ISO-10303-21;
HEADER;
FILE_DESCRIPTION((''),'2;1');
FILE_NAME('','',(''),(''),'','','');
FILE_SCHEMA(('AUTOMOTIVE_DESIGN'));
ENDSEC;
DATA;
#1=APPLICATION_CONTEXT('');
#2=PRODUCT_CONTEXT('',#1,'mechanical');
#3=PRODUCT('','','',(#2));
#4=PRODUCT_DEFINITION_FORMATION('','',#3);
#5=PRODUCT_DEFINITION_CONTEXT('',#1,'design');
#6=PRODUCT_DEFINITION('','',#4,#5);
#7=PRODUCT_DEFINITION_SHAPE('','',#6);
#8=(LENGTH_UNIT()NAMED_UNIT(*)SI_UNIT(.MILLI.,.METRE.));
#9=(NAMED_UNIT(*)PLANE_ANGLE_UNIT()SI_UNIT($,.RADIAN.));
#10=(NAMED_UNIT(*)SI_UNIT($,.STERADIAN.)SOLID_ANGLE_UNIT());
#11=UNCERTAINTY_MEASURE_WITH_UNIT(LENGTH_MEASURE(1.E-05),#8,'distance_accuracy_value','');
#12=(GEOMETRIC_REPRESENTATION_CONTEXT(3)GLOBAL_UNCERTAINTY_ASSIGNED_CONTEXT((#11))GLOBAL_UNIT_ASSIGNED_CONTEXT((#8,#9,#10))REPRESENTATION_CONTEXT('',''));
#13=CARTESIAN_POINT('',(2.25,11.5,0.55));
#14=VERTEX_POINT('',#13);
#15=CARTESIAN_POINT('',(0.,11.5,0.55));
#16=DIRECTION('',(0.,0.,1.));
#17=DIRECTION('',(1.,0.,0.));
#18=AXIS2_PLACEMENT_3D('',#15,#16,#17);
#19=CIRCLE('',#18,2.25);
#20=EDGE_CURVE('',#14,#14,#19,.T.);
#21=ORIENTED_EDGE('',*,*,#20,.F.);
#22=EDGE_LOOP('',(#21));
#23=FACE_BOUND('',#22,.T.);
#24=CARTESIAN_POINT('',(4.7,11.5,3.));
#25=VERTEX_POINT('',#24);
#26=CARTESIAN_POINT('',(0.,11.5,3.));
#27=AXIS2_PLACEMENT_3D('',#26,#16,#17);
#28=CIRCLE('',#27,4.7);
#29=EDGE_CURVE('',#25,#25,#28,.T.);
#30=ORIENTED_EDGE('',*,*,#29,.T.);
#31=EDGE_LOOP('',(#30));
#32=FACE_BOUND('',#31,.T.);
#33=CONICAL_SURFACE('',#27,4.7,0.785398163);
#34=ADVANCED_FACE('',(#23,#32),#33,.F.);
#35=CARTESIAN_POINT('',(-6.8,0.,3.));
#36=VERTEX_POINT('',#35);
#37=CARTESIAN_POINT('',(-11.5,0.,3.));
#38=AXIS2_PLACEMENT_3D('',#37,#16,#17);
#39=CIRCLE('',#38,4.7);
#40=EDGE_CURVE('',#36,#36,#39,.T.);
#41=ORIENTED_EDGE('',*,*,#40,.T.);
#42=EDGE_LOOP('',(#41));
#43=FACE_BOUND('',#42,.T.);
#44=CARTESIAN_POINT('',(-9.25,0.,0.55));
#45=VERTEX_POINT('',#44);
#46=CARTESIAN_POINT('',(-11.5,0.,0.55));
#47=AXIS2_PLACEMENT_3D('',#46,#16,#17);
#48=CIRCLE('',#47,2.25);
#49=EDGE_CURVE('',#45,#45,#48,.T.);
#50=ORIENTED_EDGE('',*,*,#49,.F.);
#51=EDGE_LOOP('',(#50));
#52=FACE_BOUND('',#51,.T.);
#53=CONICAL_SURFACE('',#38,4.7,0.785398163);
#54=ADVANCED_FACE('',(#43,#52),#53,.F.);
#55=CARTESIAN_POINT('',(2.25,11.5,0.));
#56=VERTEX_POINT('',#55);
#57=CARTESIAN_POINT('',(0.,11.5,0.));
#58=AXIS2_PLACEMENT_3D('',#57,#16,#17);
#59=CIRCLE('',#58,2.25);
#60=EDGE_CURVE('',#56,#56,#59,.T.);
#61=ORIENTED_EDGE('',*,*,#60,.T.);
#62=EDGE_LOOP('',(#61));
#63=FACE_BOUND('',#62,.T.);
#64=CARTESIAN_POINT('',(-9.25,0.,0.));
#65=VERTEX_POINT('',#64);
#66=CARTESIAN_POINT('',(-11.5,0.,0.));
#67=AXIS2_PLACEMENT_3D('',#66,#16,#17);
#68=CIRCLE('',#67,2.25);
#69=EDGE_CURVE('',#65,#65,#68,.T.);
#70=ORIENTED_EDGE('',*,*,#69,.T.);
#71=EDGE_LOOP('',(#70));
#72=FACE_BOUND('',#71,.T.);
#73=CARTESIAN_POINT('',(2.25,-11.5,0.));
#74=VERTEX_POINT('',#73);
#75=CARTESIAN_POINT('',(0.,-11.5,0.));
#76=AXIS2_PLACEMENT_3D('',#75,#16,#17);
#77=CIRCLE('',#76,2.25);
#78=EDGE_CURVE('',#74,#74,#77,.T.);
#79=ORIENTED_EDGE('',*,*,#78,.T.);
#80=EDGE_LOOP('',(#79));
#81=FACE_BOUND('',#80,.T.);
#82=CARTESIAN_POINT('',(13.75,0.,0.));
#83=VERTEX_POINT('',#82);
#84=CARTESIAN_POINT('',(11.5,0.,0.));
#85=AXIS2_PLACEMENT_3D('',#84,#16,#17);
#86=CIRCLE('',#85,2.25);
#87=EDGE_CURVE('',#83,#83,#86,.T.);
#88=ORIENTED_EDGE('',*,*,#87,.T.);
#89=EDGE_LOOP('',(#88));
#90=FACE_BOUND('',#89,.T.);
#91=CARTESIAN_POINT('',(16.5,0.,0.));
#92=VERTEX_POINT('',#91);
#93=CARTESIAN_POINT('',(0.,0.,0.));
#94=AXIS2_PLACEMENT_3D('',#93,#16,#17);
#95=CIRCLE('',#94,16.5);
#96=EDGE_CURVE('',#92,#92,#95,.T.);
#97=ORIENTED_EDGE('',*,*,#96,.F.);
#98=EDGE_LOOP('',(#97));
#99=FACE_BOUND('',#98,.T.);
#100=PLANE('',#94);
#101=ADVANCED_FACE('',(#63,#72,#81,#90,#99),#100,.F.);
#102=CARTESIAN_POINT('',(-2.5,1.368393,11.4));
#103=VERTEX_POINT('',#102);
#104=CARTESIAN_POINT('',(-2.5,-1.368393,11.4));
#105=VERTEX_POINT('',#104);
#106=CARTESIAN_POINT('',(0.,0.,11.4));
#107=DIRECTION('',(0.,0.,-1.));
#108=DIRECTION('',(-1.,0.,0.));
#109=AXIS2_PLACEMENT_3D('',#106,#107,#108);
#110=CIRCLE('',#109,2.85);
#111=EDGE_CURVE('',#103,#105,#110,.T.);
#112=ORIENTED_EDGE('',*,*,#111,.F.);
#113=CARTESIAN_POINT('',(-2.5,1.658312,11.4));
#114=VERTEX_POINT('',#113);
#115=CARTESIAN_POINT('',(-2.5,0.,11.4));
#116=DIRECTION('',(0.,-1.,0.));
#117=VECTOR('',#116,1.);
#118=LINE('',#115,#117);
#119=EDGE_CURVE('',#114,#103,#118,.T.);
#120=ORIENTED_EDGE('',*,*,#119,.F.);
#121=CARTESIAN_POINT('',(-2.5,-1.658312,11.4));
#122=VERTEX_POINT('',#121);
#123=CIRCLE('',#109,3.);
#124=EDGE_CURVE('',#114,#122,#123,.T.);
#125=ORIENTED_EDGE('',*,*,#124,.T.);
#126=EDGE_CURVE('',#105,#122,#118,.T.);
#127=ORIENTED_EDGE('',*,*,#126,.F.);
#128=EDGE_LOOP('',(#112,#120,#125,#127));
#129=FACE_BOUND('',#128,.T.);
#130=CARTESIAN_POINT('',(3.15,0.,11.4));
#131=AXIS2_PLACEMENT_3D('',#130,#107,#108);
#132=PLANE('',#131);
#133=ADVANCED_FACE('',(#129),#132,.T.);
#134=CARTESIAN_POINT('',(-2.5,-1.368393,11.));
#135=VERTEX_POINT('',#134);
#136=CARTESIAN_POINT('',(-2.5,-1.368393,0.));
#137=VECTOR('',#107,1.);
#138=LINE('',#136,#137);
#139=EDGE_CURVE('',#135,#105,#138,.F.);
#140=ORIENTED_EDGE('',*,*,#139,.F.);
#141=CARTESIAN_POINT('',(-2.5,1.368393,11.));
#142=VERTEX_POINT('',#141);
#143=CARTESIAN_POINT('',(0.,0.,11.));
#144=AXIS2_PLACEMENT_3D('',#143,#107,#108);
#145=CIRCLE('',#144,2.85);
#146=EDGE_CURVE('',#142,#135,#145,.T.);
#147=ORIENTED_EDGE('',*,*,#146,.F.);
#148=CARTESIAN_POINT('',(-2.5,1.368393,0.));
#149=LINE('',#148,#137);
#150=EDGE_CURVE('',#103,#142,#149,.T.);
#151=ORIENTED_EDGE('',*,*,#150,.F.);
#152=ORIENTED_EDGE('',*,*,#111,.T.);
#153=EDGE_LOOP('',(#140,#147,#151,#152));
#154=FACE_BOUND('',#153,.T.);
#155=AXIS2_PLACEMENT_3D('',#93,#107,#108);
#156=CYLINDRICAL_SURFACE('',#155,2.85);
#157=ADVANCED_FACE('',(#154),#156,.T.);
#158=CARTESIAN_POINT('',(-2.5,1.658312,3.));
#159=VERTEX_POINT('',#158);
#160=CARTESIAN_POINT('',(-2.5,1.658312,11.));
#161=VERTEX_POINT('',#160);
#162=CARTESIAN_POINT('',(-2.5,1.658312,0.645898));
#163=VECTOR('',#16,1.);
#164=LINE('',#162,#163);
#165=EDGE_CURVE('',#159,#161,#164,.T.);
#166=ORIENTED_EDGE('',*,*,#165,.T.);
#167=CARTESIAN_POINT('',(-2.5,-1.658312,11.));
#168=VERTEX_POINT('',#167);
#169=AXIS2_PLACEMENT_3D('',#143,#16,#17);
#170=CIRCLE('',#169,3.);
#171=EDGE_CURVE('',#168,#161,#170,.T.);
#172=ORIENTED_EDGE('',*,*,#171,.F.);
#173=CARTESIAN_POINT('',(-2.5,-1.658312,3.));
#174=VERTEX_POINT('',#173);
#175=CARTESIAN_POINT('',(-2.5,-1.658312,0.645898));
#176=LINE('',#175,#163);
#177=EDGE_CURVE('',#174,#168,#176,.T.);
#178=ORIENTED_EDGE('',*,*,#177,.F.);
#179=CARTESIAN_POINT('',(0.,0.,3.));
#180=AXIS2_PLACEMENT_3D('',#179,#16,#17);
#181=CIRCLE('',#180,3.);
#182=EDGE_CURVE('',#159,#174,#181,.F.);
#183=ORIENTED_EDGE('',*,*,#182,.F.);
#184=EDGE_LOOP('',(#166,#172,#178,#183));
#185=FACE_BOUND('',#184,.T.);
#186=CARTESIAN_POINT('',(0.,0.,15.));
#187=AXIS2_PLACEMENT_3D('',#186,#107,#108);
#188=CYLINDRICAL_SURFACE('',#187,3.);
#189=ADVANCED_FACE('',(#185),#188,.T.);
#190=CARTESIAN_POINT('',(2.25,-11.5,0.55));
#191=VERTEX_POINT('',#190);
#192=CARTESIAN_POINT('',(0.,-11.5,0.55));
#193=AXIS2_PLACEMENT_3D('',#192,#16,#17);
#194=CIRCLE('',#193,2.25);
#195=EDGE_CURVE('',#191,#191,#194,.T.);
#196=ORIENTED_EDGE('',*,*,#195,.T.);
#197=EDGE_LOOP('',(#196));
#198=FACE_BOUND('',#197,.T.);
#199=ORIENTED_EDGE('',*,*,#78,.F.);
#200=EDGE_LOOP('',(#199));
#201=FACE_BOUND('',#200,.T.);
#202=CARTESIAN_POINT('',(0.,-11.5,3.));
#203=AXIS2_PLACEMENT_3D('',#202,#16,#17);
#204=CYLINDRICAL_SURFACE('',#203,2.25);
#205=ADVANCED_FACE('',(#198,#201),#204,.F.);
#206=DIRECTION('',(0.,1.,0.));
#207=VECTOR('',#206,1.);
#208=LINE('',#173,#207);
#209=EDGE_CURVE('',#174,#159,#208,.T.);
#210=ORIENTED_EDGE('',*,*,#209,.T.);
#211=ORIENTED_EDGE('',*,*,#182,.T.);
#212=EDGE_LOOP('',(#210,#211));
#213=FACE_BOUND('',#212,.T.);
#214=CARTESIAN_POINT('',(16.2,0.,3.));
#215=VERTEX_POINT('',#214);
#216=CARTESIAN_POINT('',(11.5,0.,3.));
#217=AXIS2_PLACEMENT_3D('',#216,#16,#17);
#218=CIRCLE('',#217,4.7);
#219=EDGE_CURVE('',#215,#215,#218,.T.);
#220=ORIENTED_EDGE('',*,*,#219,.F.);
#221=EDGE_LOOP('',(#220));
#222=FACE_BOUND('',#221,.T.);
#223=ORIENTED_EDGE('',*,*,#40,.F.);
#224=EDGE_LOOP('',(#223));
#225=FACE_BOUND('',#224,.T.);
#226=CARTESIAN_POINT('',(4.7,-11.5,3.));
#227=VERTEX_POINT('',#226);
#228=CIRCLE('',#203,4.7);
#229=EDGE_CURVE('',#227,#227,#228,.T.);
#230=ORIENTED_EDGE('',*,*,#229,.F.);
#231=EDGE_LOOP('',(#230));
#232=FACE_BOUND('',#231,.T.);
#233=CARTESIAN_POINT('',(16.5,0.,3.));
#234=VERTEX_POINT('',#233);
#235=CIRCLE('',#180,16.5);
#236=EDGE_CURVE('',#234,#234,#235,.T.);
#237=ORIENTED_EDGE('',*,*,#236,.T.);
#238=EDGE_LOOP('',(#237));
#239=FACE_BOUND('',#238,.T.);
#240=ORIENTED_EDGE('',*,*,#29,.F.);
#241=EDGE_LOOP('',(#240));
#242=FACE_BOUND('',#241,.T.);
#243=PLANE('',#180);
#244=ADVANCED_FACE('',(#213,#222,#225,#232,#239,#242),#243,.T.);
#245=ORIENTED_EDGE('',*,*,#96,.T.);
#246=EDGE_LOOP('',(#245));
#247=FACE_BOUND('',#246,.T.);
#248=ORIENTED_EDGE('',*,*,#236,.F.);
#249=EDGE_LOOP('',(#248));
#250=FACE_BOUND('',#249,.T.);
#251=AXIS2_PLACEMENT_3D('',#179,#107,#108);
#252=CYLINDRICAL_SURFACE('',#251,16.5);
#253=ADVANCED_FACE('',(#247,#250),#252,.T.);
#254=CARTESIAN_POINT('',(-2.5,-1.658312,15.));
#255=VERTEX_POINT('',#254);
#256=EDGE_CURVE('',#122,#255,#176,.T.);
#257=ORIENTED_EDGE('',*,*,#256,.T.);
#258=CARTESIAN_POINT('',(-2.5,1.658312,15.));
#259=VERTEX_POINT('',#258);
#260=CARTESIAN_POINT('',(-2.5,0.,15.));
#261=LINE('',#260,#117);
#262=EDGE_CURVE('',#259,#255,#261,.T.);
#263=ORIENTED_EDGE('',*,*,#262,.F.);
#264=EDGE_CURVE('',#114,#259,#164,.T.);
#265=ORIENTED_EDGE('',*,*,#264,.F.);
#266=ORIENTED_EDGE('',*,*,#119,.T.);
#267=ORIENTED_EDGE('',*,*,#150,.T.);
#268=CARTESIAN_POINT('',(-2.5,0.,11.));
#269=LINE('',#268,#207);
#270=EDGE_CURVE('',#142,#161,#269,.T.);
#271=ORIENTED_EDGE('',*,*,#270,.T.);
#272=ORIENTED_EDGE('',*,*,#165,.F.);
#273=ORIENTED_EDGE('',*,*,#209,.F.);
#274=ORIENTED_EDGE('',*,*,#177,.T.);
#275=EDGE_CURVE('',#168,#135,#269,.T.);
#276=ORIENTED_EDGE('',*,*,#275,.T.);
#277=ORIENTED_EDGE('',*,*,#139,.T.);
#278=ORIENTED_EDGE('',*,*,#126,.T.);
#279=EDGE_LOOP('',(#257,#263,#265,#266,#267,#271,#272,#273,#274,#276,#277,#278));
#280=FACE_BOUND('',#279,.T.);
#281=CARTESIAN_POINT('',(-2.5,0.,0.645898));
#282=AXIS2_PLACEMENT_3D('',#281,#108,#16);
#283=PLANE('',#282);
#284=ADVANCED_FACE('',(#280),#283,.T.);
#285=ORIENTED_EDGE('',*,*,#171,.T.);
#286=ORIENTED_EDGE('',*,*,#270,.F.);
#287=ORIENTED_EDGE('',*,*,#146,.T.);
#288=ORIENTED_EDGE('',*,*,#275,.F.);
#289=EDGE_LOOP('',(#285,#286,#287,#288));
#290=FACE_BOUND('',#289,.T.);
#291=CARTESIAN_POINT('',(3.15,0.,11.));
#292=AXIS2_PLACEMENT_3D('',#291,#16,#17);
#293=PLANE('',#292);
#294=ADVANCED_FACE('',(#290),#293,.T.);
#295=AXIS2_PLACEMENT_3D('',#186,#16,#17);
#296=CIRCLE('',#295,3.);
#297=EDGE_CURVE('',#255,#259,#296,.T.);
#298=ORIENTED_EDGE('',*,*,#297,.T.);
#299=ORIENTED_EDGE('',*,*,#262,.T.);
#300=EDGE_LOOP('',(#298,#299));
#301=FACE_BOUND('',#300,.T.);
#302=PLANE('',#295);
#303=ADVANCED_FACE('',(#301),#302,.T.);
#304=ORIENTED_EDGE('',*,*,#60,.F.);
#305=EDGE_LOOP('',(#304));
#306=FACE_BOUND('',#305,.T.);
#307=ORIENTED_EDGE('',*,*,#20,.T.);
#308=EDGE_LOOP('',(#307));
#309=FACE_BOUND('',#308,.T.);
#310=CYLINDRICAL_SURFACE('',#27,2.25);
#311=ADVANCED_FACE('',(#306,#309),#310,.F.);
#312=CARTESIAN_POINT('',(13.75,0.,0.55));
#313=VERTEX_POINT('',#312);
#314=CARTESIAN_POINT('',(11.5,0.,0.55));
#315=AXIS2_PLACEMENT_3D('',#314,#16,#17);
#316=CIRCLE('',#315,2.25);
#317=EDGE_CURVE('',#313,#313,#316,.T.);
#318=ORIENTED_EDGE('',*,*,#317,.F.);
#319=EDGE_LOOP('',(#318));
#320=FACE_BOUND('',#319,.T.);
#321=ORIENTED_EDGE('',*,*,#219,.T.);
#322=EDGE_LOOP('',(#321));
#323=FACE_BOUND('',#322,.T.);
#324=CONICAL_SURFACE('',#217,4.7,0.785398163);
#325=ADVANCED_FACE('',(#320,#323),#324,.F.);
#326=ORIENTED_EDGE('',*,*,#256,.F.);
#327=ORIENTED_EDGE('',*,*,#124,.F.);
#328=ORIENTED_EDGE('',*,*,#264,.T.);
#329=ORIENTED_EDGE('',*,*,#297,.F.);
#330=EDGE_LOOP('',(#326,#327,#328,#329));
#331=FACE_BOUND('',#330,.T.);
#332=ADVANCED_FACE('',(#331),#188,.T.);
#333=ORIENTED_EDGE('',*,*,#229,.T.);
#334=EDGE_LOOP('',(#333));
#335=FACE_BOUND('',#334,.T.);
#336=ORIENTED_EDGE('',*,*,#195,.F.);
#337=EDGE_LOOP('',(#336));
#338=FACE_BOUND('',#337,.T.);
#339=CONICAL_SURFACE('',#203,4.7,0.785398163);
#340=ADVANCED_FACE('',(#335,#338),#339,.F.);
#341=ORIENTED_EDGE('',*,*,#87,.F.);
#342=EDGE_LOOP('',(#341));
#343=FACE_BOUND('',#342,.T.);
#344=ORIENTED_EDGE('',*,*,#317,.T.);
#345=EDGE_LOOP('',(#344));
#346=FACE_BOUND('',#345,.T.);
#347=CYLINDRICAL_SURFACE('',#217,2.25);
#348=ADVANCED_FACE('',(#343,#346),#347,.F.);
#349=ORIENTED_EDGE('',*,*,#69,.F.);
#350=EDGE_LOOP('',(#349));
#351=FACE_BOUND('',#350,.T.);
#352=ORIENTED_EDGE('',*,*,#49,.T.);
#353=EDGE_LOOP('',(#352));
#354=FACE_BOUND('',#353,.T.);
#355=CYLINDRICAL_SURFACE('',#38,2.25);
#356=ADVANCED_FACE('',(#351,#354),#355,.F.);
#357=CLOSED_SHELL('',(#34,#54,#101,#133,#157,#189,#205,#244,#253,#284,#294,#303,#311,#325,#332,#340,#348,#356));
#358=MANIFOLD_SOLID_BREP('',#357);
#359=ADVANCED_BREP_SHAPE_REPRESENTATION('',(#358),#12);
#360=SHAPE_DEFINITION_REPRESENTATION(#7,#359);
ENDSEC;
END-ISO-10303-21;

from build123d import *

# Parameters (mm, degrees)
SKETCH1_R                                      = 16.5
BOSS_EXTRUDE1_DEPTH                            = 3
SKETCH2_R                                      = 3
BOSS_EXTRUDE2_DEPTH                            = 12
SKETCH3_R                                      = 6
BOSS_EXTRUDE3_DEPTH                            = 1
CUT_EXTRUDE1_START                             = -11
CUT_EXTRUDE1_DEPTH                             = 11
SKETCH5_R                                      = 2
CUT_EXTRUDE2_DEPTH                             = 27.239283527
CIRPATTERN1_COUNT                              = 4
CSK_FOR_M4_FLAT_HEAD_MACHINE_SCREW1_AT_2_COUNT = 2
CSK_FOR_M4_FLAT_HEAD_MACHINE_SCREW1_AT_2_PITCH = 16.263455967
CSK_FOR_M4_FLAT_HEAD_MACHINE_SCREW1_AT_3_COUNT = 2
CSK_FOR_M4_FLAT_HEAD_MACHINE_SCREW1_AT_3_PITCH = 23
CSK_FOR_M4_FLAT_HEAD_MACHINE_SCREW1_AT_4_COUNT = 2
CSK_FOR_M4_FLAT_HEAD_MACHINE_SCREW1_AT_4_PITCH = 16.263455967
CUT_EXTRUDE3_START                             = -1
SKETCH9_R                                      = 6
CUT_EXTRUDE3_DEPTH                             = 1
SKETCH10_W                                     = 0.3
SKETCH10_H                                     = 0.4


with BuildPart() as part:
    # Sketch1 → Boss-Extrude1 (new body)
    with BuildSketch(Plane.XY):
        Circle(SKETCH1_R)
    extrude(amount=BOSS_EXTRUDE1_DEPTH)

    # Sketch2 → Boss-Extrude2 (add)
    with BuildSketch(Plane.XY.offset(3)):
        Circle(SKETCH2_R)
    extrude(amount=BOSS_EXTRUDE2_DEPTH)

    # Sketch3 → Boss-Extrude3 (add)
    with BuildSketch(Plane.XY.offset(3)):
        Circle(SKETCH3_R)
    extrude(amount=BOSS_EXTRUDE3_DEPTH)

    # Sketch4 → Cut-Extrude1 (cut)
    with BuildSketch(Plane.XY.offset(15).offset(CUT_EXTRUDE1_START)):
        with BuildLine():
            Line((-2.5, -1.658312395), (-2.5, 1.658312395))
            ThreePointArc((-2.5, 1.658312395), (-3, 0), (-2.5, -1.658312395))
        make_face()
    extrude(amount=CUT_EXTRUDE1_DEPTH, mode=Mode.SUBTRACT)

    # Sketch5 → Cut-Extrude2 (cut, through all)
    with BuildSketch(Plane.XY.offset(3)):
        with Locations((0, 11.5)):
            Circle(SKETCH5_R)
    cut_extrude2 = extrude(amount=-CUT_EXTRUDE2_DEPTH, mode=Mode.SUBTRACT)

    # CirPattern1: Cut-Extrude2 ×4 about axis
    cirpattern1_axis = Axis((0, 0, 0), (0, 0, 1))
    for i in range(1, CIRPATTERN1_COUNT):
        add(cut_extrude2.rotate(cirpattern1_axis, i * 360 / CIRPATTERN1_COUNT), mode=Mode.SUBTRACT)

    # Sketch8 → CSK for M4 Flat Head Machine Screw1 (revolve, cut)
    with BuildSketch(Plane(origin=(-11.5, 0, 3), x_dir=(0, -1, 0), z_dir=(1, 0, 0))):
        Polygon((0, 0), (0, 3), (2.25, 3), (2.25, 2.45), (4.7, 0), align=None)
    csk_for_m4_flat_head_machine_screw1 = revolve(axis=Axis((-11.5, 0, 9.35), (0, 0, -1)), mode=Mode.SUBTRACT)

    # CSK for M4 Flat Head Machine Screw1 at 2: CSK for M4 Flat Head Machine Screw1 ×2
    with Locations(*[Vector(0.7071067811865462, 0.7071067811865488, 0) * (i * CSK_FOR_M4_FLAT_HEAD_MACHINE_SCREW1_AT_2_PITCH) for i in range(1, CSK_FOR_M4_FLAT_HEAD_MACHINE_SCREW1_AT_2_COUNT)]):
        add(csk_for_m4_flat_head_machine_screw1, mode=Mode.SUBTRACT)

    # CSK for M4 Flat Head Machine Screw1 at 3: CSK for M4 Flat Head Machine Screw1 ×2
    with Locations(*[(i * CSK_FOR_M4_FLAT_HEAD_MACHINE_SCREW1_AT_3_PITCH, 0, 0) for i in range(1, CSK_FOR_M4_FLAT_HEAD_MACHINE_SCREW1_AT_3_COUNT)]):
        add(csk_for_m4_flat_head_machine_screw1, mode=Mode.SUBTRACT)

    # CSK for M4 Flat Head Machine Screw1 at 4: CSK for M4 Flat Head Machine Screw1 ×2
    with Locations(*[Vector(0.7071067811865488, -0.7071067811865462, 0) * (i * CSK_FOR_M4_FLAT_HEAD_MACHINE_SCREW1_AT_4_PITCH) for i in range(1, CSK_FOR_M4_FLAT_HEAD_MACHINE_SCREW1_AT_4_COUNT)]):
        add(csk_for_m4_flat_head_machine_screw1, mode=Mode.SUBTRACT)

    # Sketch9 → Cut-Extrude3 (cut)
    with BuildSketch(Plane.XY.offset(4).offset(CUT_EXTRUDE3_START)):
        Circle(SKETCH9_R)
        with BuildLine():
            Line((-2.5, -1.658312395), (-2.5, 1.658312395))
            ThreePointArc((-2.5, 1.658312395), (3, 0), (-2.5, -1.658312395))
        make_face(mode=Mode.SUBTRACT)
    extrude(amount=CUT_EXTRUDE3_DEPTH, mode=Mode.SUBTRACT)

    # Sketch10 → Cut-Revolve1 (revolve, cut)
    with BuildSketch(Plane(origin=(0, 0, 0), x_dir=(1, 0, 0), z_dir=(0, 1, 0))):
        with Locations((3, -11.2)):
            Rectangle(SKETCH10_W, SKETCH10_H)
    revolve(axis=Axis((0, 0, 0), (0, 0, 1)), mode=Mode.SUBTRACT)


solid = part.part
